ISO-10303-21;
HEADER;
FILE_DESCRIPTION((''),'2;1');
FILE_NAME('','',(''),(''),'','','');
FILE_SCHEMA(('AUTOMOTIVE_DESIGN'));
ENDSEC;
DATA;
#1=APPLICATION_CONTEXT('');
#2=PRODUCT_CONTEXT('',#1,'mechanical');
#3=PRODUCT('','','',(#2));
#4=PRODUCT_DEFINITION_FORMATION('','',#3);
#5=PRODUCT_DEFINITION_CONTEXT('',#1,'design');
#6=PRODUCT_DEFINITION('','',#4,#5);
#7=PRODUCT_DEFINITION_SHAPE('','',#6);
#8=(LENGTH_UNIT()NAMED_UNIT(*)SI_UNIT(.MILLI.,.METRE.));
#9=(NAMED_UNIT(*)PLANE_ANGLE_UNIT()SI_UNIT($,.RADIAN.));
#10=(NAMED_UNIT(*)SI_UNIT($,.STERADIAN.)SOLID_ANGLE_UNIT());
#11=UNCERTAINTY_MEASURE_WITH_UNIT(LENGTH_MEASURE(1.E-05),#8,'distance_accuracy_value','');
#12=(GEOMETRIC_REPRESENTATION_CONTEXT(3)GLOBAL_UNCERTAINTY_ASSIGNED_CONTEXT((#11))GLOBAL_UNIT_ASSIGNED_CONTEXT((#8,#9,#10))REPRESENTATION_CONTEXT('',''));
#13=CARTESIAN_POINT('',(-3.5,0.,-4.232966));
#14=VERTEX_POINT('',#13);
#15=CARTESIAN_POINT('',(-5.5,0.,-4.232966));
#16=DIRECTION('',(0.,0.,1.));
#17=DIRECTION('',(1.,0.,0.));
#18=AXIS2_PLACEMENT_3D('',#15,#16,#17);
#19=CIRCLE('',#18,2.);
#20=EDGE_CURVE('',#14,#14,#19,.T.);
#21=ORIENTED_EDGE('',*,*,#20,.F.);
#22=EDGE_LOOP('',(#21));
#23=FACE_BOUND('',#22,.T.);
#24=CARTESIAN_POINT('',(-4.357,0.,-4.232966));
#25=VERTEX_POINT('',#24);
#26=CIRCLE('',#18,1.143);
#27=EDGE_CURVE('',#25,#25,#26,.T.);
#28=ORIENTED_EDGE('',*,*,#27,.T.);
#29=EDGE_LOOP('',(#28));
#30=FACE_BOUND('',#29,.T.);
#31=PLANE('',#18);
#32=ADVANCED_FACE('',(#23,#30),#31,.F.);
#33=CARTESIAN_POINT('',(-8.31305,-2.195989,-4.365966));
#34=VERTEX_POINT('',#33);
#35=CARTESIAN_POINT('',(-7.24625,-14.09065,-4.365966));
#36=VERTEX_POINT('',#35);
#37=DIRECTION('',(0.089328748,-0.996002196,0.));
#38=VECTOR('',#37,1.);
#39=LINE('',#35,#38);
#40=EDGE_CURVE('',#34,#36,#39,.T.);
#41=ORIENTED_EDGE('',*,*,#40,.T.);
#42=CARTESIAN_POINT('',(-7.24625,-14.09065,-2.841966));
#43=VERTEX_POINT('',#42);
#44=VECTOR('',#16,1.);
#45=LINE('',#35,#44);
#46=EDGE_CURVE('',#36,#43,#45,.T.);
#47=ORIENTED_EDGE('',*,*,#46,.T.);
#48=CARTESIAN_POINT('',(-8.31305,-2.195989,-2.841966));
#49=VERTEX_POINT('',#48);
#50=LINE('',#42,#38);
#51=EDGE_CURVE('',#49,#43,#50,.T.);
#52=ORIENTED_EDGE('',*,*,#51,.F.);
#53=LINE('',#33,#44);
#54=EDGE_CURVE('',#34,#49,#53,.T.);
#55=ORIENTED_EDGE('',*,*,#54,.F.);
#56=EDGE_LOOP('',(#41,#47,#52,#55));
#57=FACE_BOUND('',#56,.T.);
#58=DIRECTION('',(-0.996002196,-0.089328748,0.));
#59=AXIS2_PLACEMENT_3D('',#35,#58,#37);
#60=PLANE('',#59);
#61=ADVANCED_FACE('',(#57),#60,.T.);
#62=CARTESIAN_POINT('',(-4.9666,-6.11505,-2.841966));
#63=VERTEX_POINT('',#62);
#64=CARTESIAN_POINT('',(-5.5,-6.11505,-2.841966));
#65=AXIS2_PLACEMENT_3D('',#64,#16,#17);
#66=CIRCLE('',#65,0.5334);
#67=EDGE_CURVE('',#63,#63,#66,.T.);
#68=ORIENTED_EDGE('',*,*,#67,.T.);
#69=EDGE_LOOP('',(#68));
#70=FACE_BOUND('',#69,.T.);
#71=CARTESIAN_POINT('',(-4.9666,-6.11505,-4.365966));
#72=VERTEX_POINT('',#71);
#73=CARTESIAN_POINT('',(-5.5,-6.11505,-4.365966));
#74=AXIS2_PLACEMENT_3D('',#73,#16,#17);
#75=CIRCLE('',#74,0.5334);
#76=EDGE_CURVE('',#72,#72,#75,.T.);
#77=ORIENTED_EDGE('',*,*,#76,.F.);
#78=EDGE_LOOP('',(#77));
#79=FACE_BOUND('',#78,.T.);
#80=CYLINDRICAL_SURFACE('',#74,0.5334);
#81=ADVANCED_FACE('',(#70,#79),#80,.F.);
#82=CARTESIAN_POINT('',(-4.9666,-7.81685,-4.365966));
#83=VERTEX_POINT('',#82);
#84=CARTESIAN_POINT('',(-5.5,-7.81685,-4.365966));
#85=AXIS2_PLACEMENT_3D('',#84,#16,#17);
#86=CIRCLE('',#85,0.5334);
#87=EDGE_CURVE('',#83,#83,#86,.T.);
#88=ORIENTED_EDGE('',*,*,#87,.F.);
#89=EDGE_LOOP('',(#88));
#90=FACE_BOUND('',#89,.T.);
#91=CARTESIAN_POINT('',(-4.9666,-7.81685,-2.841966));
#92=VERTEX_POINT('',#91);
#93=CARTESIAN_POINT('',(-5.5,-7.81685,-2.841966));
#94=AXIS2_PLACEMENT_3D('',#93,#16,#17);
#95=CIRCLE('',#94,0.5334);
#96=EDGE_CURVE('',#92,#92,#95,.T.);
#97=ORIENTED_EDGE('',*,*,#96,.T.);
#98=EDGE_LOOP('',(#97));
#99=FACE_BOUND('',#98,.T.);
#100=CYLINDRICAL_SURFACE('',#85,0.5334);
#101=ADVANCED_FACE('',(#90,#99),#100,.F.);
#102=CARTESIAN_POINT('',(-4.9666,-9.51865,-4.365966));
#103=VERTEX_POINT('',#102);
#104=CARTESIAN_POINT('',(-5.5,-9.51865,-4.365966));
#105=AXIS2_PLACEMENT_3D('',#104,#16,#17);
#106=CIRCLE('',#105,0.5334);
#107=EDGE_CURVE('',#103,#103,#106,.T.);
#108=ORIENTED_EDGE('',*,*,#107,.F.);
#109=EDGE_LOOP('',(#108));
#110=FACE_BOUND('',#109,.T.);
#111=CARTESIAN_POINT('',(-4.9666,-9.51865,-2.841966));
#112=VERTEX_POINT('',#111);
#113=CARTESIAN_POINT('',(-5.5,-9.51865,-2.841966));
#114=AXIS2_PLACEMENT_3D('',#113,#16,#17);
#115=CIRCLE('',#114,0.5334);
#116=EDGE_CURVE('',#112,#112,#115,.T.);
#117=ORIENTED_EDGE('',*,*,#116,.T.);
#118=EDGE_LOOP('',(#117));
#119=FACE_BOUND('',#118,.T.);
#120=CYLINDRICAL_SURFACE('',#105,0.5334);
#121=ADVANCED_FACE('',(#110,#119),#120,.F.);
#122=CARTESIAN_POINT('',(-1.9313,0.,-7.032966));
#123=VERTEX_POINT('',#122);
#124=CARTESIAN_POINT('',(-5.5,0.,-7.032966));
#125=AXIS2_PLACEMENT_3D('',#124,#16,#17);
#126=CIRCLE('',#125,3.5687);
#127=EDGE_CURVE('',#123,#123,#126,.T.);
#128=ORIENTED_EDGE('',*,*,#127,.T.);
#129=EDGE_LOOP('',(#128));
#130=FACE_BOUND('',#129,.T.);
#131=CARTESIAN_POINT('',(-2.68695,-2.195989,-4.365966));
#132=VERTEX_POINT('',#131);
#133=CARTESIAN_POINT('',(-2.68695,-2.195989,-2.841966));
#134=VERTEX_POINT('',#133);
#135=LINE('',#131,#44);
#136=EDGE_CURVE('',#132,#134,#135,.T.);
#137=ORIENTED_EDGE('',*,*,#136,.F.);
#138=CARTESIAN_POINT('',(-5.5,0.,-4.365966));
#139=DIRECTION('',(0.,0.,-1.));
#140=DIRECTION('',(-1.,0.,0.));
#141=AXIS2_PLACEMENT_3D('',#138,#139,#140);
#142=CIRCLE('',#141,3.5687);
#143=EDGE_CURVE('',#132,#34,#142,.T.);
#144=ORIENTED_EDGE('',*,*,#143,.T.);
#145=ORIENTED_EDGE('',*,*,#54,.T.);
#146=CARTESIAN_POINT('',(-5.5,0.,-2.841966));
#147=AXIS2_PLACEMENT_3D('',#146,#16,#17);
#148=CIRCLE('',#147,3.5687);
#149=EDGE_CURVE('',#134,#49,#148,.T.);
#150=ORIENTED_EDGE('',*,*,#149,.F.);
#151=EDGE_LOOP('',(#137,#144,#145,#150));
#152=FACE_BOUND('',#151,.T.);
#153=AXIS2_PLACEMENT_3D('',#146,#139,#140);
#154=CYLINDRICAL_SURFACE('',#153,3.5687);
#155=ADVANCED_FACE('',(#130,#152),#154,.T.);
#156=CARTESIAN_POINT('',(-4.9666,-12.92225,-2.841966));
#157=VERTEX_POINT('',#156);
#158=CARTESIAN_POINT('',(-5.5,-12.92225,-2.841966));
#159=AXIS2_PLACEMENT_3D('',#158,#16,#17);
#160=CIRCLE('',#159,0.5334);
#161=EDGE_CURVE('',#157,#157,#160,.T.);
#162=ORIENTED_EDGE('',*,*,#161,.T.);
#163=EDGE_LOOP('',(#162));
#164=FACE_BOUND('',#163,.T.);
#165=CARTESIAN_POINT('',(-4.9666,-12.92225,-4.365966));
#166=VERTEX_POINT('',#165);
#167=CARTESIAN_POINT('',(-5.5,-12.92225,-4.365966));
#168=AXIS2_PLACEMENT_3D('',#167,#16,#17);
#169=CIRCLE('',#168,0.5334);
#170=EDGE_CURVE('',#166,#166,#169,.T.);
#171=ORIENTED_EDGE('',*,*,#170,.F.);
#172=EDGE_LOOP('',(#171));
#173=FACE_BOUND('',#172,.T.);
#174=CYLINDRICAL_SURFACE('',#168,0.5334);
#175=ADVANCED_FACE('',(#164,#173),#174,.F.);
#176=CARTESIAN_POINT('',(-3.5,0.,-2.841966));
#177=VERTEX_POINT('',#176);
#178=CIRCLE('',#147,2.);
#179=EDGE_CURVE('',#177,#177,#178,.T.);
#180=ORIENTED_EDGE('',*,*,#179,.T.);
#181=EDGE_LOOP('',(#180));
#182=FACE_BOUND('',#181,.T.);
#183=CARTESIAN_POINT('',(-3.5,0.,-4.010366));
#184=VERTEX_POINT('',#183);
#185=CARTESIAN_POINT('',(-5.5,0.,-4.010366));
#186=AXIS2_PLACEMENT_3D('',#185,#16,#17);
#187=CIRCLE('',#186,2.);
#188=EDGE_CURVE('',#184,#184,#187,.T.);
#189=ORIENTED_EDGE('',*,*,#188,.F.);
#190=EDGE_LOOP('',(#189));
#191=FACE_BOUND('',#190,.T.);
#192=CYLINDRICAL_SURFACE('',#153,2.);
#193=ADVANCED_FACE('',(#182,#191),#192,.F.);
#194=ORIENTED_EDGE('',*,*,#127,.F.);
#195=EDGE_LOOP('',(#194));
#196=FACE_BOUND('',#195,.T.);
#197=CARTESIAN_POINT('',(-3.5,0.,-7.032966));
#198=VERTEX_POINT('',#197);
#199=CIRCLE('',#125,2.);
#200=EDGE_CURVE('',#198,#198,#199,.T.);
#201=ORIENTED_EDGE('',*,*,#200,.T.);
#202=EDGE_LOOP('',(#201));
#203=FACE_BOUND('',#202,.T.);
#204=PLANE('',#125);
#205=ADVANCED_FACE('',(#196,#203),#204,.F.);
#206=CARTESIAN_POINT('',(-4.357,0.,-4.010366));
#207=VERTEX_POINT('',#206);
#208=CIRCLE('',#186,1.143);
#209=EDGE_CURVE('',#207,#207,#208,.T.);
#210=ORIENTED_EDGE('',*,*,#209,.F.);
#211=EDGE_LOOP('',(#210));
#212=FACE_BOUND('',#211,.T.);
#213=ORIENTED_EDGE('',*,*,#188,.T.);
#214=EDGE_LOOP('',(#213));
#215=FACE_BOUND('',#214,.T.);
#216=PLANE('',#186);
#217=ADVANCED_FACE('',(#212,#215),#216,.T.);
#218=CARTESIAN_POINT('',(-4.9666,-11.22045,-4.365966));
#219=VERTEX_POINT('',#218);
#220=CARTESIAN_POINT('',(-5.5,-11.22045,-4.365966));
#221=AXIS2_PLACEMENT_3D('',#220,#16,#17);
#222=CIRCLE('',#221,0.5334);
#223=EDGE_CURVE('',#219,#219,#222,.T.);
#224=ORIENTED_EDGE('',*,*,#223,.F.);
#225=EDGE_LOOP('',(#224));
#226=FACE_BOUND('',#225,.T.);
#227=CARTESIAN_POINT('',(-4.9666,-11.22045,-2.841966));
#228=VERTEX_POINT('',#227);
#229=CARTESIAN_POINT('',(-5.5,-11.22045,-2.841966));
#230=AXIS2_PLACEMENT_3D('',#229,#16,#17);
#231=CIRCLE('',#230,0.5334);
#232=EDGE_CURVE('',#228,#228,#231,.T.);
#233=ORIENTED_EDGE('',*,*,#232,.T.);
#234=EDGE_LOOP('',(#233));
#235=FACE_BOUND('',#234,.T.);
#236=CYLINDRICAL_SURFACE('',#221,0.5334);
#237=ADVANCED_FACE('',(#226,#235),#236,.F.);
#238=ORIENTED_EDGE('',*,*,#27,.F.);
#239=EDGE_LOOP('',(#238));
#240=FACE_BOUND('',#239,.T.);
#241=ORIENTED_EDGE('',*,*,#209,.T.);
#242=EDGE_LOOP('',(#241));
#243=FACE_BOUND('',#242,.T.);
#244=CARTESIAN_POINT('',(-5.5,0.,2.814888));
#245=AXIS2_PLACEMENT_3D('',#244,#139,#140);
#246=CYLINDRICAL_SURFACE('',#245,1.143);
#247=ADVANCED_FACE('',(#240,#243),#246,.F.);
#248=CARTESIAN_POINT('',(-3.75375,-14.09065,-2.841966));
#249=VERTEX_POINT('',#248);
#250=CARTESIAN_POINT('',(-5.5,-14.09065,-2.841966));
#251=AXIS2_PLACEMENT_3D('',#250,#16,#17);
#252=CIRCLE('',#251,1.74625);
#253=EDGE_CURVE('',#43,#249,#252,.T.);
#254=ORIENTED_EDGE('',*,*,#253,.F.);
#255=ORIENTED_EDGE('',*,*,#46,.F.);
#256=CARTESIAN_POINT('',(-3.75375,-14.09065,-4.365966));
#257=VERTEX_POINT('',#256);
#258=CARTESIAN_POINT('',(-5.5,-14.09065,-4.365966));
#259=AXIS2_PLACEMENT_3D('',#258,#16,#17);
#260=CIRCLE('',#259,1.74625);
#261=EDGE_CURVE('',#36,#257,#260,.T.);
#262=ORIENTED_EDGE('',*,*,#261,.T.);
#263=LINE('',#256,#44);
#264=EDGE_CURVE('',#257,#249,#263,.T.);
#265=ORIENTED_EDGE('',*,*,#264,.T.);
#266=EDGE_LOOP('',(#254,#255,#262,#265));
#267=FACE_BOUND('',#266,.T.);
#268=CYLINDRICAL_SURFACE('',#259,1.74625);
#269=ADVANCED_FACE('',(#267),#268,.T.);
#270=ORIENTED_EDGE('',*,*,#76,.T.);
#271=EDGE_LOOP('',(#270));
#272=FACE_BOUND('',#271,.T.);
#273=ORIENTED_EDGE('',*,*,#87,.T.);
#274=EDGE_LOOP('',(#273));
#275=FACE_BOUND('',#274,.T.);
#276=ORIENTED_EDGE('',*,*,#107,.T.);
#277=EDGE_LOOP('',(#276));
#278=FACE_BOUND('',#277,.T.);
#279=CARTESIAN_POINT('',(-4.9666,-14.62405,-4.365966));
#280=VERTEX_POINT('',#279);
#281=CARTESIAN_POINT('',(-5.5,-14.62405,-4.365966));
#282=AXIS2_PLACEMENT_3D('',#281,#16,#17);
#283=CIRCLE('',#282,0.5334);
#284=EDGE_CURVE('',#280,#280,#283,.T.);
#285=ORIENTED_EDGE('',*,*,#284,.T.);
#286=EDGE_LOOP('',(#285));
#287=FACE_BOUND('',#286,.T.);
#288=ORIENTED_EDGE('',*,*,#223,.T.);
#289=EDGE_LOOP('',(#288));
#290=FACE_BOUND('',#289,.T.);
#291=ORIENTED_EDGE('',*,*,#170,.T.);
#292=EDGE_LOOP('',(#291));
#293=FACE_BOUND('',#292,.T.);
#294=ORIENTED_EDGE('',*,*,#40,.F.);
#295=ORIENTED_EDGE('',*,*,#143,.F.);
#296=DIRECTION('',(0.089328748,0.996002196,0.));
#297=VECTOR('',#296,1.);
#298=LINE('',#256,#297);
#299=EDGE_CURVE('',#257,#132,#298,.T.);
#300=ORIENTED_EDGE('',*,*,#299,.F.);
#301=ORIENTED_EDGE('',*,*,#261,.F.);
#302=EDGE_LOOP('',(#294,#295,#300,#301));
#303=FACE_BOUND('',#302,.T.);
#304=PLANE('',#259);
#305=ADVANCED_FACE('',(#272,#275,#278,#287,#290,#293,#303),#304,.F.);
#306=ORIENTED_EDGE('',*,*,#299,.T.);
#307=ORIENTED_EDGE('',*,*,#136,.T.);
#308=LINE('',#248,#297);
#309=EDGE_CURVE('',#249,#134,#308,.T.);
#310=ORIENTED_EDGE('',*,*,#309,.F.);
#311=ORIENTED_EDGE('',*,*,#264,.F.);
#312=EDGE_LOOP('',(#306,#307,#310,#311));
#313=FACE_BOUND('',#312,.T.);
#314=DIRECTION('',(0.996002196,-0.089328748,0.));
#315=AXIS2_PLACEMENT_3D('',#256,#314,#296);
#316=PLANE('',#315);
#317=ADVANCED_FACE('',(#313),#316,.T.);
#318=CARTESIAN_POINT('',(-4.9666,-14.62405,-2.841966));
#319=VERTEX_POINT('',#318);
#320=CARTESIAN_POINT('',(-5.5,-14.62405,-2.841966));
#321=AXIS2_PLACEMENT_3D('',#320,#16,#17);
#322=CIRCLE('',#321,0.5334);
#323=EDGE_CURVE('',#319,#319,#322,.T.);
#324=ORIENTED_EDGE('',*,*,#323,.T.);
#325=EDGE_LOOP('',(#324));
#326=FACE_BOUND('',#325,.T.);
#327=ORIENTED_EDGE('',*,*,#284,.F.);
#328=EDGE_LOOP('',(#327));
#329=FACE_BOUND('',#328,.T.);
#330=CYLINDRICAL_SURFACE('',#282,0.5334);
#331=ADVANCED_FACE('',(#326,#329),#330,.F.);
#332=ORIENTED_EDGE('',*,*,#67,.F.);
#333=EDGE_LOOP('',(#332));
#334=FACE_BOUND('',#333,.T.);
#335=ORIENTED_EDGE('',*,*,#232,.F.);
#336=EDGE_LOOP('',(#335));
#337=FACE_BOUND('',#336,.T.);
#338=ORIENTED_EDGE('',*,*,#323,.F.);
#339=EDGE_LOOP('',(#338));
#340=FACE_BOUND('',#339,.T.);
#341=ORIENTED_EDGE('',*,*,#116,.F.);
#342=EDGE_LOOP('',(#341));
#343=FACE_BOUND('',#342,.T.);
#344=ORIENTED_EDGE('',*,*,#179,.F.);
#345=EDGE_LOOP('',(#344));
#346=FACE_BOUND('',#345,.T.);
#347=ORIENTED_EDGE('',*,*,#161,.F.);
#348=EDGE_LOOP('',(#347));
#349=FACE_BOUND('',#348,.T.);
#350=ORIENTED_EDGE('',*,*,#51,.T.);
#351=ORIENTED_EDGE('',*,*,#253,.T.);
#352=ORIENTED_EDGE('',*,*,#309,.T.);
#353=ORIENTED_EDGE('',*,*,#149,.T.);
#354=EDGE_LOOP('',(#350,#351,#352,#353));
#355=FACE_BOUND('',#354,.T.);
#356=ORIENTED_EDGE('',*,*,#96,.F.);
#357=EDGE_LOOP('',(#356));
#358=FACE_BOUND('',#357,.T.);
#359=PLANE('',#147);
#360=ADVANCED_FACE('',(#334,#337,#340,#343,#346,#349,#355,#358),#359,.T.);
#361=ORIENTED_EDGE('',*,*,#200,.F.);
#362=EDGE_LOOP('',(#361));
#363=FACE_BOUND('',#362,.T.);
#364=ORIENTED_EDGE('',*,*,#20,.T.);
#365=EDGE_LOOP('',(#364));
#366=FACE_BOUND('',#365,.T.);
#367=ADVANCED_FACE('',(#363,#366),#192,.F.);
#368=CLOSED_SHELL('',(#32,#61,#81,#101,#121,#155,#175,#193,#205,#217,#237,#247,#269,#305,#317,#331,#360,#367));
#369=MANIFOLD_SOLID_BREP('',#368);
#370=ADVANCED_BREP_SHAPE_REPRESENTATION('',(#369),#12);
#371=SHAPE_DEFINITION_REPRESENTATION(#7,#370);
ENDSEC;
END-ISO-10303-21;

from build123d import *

# Parameters (mm, degrees)
SKETCH1_R           = 3.5687
SKETCH1_R_2         = 2
BOSS_EXTRUDE1_DEPTH = 4.191
SKETCH5_R           = 2
SKETCH5_R_2         = 1.143
BOSS_EXTRUDE2_DEPTH = 0.2226
SKETCH6_R           = 0.5334
BOSS_EXTRUDE3_DEPTH = 1.524


with BuildPart() as part:
    # Sketch1 → Boss-Extrude1 (new body)
    with BuildSketch(Plane.XY.offset(-7.032965862)):
        with Locations((-5.5, 0)):
            Circle(SKETCH1_R)
        with Locations((-5.5, 0)):
            Circle(SKETCH1_R_2, mode=Mode.SUBTRACT)
    extrude(amount=BOSS_EXTRUDE1_DEPTH)

    # Sketch5 → Boss-Extrude2 (add)
    with BuildSketch(Plane.XY.offset(-4.232965862)):
        with Locations((-5.5, 0)):
            Circle(SKETCH5_R)
        with Locations((-5.5, 0)):
            Circle(SKETCH5_R_2, mode=Mode.SUBTRACT)
    extrude(amount=BOSS_EXTRUDE2_DEPTH)

    # Sketch6 → Boss-Extrude3 (add)
    with BuildSketch(Plane.XY.offset(-2.841965862)):
        with BuildLine():
            Line((-3.75375, -14.09065), (-2.68695, -2.195989387))
            ThreePointArc((-2.68695, -2.195989387), (-5.5, -3.5687), (-8.31305, -2.195989387))
            Line((-8.31305, -2.195989387), (-7.24625, -14.09065))
            ThreePointArc((-7.24625, -14.09065), (-5.5, -15.8369), (-3.75375, -14.09065))
        make_face()
        with Locations((-5.5, -12.92225)):
            Circle(SKETCH6_R, mode=Mode.SUBTRACT)
        with Locations((-5.5, -14.62405)):
            Circle(SKETCH6_R, mode=Mode.SUBTRACT)
        with Locations((-5.5, -11.22045)):
            Circle(SKETCH6_R, mode=Mode.SUBTRACT)
        with Locations((-5.5, -9.51865)):
            Circle(SKETCH6_R, mode=Mode.SUBTRACT)
        with Locations((-5.5, -7.81685)):
            Circle(SKETCH6_R, mode=Mode.SUBTRACT)
        with Locations((-5.5, -6.11505)):
            Circle(SKETCH6_R, mode=Mode.SUBTRACT)
    extrude(amount=-BOSS_EXTRUDE3_DEPTH)


solid = part.part
